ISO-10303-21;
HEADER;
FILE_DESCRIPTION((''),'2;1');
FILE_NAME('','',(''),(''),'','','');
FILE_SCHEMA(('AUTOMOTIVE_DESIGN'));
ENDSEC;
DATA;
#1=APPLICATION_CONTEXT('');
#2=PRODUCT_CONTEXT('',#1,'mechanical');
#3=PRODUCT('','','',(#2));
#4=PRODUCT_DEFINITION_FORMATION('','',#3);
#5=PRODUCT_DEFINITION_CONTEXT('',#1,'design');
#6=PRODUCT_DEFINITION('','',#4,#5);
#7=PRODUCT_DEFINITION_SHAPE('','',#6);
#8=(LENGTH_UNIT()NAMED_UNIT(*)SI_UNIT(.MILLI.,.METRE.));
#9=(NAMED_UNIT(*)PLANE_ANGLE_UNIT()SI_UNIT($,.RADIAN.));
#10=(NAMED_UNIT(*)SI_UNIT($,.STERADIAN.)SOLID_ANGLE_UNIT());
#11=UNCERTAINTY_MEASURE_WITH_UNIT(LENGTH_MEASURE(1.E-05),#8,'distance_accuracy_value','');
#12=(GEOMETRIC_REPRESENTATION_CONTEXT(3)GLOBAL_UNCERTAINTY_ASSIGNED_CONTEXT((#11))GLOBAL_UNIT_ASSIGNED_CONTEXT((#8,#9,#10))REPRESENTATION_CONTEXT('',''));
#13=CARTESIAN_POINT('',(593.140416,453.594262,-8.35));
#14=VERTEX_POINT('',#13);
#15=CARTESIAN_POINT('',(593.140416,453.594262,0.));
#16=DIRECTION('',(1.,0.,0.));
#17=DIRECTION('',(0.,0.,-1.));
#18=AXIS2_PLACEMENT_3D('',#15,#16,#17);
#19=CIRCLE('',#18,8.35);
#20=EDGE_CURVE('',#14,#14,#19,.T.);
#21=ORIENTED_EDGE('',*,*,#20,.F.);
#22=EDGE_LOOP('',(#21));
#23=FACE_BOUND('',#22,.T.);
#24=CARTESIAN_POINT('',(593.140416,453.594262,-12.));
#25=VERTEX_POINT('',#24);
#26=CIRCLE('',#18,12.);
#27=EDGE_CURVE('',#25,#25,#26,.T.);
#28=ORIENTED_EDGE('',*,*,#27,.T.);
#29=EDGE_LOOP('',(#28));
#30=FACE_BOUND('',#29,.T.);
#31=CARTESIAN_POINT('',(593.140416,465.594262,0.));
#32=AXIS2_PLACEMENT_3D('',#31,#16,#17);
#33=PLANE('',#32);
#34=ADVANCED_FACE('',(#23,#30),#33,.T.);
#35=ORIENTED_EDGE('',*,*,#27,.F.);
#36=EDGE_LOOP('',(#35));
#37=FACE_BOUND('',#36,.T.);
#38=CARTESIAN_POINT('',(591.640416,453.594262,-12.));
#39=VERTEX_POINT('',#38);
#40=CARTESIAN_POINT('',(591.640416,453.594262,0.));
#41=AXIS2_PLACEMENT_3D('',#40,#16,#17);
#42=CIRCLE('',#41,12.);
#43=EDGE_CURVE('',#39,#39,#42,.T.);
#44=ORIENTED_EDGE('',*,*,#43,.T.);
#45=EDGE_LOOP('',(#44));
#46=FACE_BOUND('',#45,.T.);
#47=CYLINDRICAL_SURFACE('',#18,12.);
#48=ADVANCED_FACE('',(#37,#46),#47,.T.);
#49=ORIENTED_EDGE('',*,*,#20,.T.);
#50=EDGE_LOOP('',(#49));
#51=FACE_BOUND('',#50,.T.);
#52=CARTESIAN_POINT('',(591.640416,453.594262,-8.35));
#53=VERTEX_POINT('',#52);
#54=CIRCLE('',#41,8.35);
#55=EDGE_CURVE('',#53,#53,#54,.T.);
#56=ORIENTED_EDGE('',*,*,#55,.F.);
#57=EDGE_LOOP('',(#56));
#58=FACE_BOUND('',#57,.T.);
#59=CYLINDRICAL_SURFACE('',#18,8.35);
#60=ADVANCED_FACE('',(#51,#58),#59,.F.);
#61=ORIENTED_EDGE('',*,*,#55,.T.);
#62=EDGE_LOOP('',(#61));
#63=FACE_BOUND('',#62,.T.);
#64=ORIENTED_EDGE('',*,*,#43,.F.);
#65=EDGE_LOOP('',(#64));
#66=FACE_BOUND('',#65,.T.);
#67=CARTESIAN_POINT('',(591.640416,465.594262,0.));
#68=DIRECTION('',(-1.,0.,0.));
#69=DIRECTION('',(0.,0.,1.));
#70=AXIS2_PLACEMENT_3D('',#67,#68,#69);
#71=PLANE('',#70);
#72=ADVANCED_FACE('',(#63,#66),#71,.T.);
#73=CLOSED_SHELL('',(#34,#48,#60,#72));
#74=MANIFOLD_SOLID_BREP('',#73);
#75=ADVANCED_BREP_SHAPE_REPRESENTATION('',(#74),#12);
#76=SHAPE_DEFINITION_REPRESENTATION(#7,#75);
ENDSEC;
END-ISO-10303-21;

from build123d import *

# Parameters (mm, degrees)
SKETCH1_W = 1.5
SKETCH1_H = 2.433333333
SKETCH2_W = 1.5
SKETCH2_H = 1.216666667


with BuildPart() as part:
    # Sketch1 → Revolve1 (revolve)
    with BuildSketch(Plane.XY):
        with Locations((592.390416263, 464.377595661)):
            Rectangle(SKETCH1_W, SKETCH1_H)
    revolve(axis=Axis((593.140416263, 453.594262328, 0), (-1, 0, 0)))

    # Sketch2 → Revolve2 (revolve)
    with BuildSketch(Plane.XY):
        with Locations((592.390416263, 462.552595662)):
            Rectangle(SKETCH2_W, SKETCH2_H)
    revolve(axis=Axis((593.140416263, 453.594262328, 0), (-1, 0, 0)))


solid = part.part
